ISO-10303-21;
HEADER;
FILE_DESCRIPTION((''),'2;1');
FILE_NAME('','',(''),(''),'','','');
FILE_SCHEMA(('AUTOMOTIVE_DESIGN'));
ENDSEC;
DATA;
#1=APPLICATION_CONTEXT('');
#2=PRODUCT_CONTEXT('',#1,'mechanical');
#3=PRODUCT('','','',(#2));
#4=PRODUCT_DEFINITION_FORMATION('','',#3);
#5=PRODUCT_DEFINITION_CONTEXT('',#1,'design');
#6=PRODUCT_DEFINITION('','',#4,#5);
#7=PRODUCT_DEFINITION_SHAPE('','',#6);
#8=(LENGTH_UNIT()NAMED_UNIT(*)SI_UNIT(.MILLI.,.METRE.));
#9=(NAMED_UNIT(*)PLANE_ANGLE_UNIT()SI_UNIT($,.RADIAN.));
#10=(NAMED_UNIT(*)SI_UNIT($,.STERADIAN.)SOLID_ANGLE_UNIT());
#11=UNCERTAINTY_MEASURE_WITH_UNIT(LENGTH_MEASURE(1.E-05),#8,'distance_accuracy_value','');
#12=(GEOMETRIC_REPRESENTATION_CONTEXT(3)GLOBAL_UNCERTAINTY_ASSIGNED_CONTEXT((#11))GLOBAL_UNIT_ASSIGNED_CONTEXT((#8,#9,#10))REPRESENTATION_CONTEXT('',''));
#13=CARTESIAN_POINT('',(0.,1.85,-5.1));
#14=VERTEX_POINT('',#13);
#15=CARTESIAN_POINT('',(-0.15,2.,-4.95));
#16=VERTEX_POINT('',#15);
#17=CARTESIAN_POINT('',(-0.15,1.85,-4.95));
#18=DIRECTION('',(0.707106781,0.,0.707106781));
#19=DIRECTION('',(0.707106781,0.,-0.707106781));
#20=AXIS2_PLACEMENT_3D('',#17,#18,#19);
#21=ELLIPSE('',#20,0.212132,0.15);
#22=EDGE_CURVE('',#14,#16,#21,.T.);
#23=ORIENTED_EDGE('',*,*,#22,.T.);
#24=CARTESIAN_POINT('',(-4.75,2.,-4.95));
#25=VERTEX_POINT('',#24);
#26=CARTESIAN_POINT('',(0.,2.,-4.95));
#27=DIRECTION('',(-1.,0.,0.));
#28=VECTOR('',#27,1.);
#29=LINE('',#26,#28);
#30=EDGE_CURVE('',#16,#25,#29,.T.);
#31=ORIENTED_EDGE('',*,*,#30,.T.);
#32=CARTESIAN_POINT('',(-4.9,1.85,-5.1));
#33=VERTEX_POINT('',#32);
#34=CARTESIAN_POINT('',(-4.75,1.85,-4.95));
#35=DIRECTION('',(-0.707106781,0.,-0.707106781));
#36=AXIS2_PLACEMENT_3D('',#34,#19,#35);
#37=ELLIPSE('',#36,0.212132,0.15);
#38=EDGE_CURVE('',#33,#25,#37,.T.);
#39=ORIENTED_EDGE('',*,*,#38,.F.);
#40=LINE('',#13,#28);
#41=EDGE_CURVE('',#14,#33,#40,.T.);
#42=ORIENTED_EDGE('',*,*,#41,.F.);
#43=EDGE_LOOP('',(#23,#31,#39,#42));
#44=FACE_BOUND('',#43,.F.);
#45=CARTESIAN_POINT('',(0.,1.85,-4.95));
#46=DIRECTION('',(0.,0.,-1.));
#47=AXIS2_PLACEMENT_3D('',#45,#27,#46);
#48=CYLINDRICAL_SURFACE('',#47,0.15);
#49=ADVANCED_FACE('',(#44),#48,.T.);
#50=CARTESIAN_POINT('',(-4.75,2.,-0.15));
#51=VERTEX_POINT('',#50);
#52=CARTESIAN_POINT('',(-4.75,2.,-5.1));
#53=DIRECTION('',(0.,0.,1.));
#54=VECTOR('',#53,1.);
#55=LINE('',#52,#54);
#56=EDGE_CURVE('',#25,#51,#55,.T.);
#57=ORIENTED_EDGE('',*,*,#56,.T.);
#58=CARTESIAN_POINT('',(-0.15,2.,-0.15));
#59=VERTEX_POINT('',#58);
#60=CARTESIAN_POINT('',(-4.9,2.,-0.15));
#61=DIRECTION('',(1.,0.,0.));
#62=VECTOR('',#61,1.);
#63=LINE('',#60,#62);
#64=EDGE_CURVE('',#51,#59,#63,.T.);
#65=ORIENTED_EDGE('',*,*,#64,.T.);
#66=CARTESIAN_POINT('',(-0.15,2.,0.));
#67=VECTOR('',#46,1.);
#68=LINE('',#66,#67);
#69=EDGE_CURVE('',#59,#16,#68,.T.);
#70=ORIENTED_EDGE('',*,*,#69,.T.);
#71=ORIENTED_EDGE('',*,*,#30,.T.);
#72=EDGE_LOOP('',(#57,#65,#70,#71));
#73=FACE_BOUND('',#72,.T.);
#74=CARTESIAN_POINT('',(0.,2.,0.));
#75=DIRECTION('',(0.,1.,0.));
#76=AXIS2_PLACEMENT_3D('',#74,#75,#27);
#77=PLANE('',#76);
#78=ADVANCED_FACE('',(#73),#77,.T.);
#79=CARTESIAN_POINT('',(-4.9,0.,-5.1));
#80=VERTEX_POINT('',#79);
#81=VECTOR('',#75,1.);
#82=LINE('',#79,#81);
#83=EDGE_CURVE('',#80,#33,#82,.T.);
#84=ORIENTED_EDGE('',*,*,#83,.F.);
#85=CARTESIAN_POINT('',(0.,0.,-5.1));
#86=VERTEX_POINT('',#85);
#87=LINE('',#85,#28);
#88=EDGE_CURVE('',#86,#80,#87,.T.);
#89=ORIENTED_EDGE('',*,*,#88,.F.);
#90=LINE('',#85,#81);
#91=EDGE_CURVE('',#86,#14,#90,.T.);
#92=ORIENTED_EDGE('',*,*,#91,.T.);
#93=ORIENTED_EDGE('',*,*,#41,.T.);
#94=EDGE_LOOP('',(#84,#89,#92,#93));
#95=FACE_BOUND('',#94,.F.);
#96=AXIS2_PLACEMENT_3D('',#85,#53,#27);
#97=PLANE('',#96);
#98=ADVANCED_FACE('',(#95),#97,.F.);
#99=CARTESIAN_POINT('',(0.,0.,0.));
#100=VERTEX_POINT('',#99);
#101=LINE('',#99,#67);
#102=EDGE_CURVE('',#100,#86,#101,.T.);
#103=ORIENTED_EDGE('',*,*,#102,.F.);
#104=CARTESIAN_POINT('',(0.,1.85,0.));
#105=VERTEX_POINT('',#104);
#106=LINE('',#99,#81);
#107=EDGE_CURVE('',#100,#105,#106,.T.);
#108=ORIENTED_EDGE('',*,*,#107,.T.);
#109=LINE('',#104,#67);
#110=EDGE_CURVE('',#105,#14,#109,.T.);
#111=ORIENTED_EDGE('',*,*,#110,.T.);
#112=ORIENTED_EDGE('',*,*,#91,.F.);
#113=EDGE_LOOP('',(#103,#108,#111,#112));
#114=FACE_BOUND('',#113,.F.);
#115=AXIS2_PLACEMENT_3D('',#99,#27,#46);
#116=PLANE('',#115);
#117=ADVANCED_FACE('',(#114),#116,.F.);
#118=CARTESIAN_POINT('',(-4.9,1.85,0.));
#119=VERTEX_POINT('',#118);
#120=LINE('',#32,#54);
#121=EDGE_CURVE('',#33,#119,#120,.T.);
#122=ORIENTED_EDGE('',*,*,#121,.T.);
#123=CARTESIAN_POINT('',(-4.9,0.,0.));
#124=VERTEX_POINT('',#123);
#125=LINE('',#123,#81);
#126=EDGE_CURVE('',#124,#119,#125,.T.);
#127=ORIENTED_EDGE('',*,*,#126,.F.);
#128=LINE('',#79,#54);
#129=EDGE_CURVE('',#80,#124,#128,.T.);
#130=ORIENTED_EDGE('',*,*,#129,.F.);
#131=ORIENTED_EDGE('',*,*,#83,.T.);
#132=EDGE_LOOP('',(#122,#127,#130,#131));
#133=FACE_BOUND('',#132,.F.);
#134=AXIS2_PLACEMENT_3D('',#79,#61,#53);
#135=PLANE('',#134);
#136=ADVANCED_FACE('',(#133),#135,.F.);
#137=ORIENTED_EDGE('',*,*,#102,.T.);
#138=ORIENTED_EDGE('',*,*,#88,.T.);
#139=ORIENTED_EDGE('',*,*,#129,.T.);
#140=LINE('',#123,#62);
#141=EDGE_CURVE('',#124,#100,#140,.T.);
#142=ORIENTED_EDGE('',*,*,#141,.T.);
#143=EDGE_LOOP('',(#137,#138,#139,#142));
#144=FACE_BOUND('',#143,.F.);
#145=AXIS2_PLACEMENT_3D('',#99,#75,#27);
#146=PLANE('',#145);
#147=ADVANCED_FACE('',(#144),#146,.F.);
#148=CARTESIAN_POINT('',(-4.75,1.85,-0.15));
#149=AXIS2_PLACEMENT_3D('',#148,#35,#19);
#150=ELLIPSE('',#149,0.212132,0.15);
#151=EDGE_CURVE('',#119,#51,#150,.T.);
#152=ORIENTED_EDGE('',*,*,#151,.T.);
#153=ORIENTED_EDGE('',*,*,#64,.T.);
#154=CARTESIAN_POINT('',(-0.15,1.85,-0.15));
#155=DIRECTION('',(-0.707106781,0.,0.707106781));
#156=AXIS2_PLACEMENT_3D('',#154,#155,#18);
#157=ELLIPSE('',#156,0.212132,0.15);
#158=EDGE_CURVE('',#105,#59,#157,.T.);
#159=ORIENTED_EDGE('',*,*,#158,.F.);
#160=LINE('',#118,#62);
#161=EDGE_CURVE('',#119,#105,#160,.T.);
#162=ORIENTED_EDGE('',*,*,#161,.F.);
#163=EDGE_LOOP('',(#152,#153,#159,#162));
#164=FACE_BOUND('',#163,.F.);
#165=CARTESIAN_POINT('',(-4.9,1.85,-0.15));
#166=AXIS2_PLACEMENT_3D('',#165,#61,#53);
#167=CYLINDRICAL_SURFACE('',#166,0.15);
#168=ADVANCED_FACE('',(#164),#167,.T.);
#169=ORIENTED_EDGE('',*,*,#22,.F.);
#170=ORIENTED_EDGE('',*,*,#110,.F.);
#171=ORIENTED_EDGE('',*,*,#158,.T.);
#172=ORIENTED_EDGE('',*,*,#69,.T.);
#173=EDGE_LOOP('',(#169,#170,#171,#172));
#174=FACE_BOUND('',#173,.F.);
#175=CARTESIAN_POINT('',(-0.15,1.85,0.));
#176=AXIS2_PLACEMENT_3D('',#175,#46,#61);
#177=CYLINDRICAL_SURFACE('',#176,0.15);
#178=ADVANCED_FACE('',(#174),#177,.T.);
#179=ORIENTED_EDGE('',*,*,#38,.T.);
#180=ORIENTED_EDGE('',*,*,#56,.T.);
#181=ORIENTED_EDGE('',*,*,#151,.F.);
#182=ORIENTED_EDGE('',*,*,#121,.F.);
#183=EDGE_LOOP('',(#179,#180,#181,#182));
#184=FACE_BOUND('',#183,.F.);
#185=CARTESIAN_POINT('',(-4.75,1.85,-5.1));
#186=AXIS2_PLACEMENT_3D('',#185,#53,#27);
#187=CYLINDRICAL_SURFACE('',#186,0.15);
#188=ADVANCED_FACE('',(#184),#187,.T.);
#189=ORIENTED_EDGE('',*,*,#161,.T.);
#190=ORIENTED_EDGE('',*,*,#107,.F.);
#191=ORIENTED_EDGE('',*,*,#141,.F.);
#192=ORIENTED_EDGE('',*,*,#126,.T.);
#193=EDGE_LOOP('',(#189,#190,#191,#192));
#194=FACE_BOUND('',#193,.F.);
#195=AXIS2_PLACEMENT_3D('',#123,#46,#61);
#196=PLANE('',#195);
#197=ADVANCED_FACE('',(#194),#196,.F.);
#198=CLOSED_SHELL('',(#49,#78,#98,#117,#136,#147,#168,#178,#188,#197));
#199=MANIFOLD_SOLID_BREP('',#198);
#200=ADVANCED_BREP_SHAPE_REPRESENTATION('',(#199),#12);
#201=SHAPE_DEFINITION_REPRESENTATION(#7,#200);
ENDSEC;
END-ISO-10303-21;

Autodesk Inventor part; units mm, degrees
ref_plane "YZ Plane" through (0, 0, 0) normal (1, 0, 0) x (0, 1, 0)
ref_plane "XZ Plane" through (0, 0, 0) normal (0, 1, 0) x (-1, 0, 0)
ref_plane "XY Plane" through (0, 0, 0) normal (0, 0, 1) x (1, 0, 0)
sketch "Skizze1" plane through (0, 0, 0) normal (0, 1, 0) x (-1, 0, 0)
  line L0 (0, 0) -> (0, -5.1)
  line L1 (0, -5.1) -> (4.9, -5.1)
  line L2 (4.9, -5.1) -> (4.9, 0)
  line L3 (4.9, 0) -> (0, 0)
  dimension "d0" = 5.1
  dimension "d1" = 4.9
extrude "Extrusion1" add sketch "Skizze1" along normal blind 2
fillet "Rundung1" radius 0.15 4 edges at (-2.45, 2, 0) (0, 2, -2.55) (-2.45, 2, -5.1) (-4.9, 2, -2.55)
properties part number "LED"
